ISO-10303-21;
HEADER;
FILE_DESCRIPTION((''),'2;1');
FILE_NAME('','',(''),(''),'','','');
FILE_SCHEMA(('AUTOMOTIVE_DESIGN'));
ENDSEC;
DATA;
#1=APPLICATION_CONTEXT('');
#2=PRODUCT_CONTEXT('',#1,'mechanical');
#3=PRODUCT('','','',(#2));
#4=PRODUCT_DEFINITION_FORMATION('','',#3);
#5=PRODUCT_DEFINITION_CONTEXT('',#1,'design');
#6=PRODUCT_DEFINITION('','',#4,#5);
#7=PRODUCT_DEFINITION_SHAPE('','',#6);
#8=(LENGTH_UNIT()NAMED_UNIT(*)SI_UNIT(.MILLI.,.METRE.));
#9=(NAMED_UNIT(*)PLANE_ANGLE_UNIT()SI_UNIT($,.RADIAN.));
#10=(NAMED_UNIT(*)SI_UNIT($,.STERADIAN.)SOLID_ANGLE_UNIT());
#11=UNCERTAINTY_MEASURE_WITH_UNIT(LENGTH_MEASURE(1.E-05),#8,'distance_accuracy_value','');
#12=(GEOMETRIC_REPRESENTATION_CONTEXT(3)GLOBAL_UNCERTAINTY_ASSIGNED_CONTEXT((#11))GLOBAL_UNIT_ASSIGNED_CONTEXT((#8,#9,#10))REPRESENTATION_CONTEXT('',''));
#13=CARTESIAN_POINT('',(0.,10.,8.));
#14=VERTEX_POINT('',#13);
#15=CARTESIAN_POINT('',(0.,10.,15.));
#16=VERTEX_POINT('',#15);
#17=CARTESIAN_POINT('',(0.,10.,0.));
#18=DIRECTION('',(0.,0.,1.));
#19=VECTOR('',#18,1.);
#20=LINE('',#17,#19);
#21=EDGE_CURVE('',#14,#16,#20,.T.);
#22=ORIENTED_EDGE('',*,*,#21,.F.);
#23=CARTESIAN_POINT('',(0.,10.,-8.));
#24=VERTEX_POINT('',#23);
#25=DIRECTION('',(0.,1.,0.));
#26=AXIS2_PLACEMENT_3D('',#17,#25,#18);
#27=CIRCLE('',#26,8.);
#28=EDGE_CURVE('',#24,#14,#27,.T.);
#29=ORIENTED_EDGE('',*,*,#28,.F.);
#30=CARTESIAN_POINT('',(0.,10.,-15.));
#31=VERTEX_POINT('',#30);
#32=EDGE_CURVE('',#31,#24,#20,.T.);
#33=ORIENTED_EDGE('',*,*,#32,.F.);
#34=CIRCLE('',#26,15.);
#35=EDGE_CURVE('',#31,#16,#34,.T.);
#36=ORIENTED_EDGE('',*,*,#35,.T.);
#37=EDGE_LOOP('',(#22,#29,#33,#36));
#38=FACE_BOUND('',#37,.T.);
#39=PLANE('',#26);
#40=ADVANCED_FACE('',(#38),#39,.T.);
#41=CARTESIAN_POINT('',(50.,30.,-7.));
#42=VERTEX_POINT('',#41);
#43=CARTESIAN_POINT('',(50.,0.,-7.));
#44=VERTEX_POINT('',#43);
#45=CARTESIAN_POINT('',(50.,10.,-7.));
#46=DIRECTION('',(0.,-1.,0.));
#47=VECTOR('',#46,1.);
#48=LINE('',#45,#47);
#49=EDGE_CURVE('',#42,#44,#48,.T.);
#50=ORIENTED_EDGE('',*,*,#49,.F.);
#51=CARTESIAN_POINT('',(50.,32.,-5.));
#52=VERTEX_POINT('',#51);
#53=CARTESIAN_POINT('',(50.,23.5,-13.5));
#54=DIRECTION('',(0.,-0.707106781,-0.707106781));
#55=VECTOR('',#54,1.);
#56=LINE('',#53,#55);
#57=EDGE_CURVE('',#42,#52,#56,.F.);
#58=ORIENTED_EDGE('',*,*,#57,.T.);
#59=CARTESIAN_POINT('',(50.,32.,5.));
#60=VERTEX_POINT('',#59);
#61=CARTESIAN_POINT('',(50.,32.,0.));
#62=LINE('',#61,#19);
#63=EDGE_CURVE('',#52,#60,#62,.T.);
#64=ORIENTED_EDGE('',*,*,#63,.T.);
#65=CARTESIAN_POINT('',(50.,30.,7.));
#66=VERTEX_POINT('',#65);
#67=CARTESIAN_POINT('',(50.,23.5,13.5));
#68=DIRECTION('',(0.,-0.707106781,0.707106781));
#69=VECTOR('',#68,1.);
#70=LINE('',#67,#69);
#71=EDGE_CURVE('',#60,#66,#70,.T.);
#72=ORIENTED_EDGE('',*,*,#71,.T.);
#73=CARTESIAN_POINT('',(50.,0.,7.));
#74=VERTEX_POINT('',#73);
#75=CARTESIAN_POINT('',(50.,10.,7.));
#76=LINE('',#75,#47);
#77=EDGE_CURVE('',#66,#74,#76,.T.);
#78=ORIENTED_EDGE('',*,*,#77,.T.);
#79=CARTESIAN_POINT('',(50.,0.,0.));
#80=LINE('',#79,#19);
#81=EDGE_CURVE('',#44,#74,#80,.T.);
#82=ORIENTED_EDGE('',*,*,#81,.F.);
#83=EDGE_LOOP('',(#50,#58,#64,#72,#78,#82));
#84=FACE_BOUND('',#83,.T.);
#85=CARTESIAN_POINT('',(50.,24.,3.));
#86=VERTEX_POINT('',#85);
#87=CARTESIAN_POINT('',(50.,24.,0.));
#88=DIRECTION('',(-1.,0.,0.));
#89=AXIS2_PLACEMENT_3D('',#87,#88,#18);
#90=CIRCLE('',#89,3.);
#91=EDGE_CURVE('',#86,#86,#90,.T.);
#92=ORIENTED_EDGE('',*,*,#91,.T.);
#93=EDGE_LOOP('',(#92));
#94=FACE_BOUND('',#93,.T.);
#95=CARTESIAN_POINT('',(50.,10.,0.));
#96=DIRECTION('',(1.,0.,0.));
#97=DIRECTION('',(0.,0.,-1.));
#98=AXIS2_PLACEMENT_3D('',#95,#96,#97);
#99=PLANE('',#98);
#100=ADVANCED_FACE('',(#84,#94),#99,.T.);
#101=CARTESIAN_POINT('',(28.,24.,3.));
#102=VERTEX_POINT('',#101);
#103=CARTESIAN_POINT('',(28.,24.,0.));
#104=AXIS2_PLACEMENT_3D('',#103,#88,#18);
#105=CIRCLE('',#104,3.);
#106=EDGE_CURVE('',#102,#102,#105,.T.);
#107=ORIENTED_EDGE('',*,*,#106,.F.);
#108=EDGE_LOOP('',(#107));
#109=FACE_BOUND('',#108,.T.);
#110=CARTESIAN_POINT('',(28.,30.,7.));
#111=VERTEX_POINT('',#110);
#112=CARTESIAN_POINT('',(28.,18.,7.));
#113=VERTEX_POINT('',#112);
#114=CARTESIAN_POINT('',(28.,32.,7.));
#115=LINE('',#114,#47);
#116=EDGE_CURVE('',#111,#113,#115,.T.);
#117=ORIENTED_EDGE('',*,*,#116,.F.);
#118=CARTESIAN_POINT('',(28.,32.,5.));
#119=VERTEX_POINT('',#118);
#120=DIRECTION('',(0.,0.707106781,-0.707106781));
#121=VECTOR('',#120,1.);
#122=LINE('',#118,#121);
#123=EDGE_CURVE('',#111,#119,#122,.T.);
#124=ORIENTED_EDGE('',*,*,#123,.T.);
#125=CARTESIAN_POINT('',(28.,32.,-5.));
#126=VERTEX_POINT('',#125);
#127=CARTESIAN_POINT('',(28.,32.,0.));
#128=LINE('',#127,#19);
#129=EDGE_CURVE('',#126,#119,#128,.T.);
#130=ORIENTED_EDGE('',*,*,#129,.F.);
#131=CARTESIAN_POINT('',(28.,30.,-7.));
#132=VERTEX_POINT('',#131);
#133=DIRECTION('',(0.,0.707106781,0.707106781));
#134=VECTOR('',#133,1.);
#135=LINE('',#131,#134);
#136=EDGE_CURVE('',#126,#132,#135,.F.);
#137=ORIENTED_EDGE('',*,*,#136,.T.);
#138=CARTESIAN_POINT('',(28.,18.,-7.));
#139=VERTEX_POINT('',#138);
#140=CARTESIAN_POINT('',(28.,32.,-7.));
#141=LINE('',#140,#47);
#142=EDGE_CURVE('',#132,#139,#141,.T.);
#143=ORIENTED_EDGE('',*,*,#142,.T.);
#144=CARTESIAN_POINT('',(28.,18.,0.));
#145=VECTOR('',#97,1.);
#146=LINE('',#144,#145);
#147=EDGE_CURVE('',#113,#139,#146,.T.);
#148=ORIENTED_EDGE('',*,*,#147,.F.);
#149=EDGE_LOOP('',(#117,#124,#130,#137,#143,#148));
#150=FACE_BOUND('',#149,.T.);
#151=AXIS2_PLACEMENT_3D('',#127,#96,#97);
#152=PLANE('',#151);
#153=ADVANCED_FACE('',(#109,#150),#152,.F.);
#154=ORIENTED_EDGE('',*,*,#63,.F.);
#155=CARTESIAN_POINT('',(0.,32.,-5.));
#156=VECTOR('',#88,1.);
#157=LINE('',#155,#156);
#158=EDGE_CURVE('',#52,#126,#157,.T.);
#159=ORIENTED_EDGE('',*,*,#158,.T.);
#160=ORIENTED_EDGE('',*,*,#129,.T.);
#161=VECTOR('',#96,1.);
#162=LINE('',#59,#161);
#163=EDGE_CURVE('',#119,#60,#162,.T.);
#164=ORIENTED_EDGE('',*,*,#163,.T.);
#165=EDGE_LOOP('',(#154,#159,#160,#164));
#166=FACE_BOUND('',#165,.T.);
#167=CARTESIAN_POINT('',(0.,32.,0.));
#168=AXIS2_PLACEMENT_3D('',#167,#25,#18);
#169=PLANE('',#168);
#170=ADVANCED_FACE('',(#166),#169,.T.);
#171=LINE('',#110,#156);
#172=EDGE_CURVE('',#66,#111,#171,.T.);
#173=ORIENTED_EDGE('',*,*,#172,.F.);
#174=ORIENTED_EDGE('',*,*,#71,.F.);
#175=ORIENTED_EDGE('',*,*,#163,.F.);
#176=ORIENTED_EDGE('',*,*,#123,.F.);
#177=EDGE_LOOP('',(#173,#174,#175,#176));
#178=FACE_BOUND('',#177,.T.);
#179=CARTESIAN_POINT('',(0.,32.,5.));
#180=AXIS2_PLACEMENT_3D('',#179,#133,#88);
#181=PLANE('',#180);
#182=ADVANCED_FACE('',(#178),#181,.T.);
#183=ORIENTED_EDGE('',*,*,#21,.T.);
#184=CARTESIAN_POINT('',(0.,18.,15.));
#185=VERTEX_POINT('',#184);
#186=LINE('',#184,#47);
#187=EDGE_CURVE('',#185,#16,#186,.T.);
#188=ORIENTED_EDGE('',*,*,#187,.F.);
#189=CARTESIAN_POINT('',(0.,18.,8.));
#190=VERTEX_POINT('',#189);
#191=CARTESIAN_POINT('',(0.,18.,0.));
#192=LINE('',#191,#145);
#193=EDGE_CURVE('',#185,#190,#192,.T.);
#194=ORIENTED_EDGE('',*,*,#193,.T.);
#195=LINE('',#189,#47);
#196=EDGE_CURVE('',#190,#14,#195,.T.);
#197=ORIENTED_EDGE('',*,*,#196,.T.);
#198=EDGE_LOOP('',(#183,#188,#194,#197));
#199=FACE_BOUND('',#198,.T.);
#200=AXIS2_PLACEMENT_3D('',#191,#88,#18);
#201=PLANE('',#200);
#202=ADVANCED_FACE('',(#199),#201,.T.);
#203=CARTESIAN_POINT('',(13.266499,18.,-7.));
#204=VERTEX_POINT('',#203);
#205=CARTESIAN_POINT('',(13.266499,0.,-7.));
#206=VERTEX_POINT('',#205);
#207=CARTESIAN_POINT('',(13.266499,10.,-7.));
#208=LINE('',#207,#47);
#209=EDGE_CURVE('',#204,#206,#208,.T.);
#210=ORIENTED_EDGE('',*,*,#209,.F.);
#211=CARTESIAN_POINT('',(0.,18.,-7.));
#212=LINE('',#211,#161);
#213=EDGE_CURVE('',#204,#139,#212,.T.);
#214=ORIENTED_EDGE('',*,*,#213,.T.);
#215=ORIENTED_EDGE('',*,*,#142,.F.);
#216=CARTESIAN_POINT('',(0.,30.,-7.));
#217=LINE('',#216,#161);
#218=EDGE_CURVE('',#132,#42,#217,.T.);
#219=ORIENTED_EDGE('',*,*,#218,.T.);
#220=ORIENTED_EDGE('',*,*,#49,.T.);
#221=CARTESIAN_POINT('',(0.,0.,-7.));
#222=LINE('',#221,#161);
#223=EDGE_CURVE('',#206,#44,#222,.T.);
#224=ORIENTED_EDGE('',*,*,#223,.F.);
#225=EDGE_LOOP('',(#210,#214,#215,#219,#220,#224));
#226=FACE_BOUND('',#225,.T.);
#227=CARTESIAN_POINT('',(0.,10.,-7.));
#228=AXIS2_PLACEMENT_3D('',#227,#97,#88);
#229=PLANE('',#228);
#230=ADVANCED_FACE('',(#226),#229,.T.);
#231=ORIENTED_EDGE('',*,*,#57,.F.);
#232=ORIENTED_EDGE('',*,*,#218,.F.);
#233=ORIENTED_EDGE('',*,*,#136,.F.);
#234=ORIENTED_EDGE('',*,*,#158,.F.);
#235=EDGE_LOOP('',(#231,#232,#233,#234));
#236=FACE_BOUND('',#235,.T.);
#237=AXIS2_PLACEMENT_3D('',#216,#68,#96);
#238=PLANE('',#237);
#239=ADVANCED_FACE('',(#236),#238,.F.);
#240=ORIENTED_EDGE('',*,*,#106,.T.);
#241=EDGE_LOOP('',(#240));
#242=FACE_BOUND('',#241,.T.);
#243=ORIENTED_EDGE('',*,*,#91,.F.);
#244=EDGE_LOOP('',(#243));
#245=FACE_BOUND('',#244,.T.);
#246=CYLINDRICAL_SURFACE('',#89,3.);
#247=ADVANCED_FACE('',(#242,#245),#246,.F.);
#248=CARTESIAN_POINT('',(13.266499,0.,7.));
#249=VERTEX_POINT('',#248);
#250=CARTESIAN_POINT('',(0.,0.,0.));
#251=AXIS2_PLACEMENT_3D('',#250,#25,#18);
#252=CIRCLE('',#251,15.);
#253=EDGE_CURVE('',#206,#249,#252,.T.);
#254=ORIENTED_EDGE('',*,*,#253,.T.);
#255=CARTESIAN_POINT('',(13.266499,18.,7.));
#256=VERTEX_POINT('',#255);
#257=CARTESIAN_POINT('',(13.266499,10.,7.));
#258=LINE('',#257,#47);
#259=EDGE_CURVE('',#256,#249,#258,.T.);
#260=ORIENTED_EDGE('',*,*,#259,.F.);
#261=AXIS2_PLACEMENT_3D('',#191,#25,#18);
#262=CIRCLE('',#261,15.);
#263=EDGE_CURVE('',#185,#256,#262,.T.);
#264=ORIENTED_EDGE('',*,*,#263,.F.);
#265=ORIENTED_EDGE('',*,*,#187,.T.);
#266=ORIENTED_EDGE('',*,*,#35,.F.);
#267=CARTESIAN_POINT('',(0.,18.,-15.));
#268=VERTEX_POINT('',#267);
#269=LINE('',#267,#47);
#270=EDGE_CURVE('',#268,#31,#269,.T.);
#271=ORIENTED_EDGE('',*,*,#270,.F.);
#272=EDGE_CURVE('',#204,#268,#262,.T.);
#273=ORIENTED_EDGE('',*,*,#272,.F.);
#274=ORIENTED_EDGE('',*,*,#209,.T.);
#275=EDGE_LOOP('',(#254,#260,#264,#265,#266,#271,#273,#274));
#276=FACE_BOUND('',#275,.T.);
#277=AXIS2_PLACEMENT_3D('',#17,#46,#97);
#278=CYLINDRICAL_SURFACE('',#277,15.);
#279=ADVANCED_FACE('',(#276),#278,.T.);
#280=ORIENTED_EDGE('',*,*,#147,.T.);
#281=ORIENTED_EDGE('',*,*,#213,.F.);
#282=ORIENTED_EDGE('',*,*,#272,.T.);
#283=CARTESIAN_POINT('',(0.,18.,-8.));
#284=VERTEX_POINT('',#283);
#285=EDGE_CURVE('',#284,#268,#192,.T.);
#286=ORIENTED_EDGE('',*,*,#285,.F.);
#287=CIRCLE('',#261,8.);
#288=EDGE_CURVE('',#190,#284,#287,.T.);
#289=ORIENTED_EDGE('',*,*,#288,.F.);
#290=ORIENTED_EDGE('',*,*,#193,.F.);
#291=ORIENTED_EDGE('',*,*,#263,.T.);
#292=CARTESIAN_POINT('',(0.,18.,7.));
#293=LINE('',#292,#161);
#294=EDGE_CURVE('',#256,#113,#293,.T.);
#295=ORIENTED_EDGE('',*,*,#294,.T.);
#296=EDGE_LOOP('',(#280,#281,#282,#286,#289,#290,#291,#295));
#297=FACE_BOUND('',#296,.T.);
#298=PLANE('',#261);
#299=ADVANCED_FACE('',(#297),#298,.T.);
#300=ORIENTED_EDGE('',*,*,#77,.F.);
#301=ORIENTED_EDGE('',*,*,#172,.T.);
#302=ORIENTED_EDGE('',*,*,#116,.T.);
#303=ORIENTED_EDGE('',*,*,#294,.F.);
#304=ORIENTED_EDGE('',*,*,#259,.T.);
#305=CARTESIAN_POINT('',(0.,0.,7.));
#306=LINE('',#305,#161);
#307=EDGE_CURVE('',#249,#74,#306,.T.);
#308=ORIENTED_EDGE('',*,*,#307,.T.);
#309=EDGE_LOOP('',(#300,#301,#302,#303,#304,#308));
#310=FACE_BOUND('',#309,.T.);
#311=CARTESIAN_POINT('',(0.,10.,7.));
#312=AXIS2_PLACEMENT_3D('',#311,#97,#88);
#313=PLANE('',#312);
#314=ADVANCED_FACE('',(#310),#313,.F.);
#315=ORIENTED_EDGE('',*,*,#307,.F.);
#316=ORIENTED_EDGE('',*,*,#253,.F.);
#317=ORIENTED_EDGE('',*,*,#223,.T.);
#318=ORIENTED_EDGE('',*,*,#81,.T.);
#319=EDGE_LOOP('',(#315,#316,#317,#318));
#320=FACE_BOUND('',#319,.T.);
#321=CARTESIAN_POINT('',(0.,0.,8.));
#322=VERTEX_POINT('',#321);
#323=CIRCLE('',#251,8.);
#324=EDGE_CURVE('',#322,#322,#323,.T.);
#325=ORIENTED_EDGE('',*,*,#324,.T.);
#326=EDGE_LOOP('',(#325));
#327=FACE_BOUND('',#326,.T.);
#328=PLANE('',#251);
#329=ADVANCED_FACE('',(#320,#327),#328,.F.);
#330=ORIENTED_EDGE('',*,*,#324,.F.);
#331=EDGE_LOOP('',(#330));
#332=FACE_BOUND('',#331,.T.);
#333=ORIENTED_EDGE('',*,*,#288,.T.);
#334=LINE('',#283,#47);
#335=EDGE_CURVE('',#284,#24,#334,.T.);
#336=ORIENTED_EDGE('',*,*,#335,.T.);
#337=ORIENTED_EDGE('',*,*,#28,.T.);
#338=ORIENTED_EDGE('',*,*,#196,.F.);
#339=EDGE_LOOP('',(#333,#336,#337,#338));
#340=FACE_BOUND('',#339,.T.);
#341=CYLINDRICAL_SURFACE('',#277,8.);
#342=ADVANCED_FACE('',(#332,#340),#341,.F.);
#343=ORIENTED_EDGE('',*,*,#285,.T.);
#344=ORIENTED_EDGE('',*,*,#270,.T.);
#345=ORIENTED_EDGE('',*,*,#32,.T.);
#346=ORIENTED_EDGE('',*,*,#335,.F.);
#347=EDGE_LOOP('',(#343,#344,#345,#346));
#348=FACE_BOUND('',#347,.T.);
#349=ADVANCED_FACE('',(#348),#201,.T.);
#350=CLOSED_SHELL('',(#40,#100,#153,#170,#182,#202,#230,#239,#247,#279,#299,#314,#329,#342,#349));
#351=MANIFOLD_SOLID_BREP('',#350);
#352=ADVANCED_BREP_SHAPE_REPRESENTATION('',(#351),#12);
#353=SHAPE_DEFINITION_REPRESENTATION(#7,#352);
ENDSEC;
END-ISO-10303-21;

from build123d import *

# Parameters (mm, degrees)
SKETCH1_R           = 8
BOSS_EXTRUDE1_DEPTH = 10
BOSS_EXTRUDE2_DEPTH = 18
SKETCH1_4_W         = 22
SKETCH1_4_H         = 14
BOSS_EXTRUDE3_DEPTH = 32
CHAMFER1_SIZE       = 2
SKETCH2_R           = 3
CUT_EXTRUDE1_DEPTH  = 56.6596802


with BuildPart() as part:
    # Sketch1 → Boss-Extrude1 (new body)
    with BuildSketch(Plane(origin=(0, 0, 0), x_dir=(1, 0, 0), z_dir=(0, 1, 0))):
        with BuildLine():
            ThreePointArc((13.266499161, 7), (-15, 0), (13.266499161, -7))
            Line((13.266499161, -7), (50, -7))
            Line((50, -7), (50, 7))
            Line((50, 7), (13.266499161, 7))
        make_face()
        Circle(SKETCH1_R, mode=Mode.SUBTRACT)
    extrude(amount=BOSS_EXTRUDE1_DEPTH)

    # Sketch1<3> → Boss-Extrude2 (add)
    with BuildSketch(Plane(origin=(0, 0, 0), x_dir=(1, 0, 0), z_dir=(0, 1, 0))):
        with BuildLine():
            ThreePointArc((13.266499161, 7), (7.745966692, 12.845232579), (0, 15))
            Line((0, 15), (0, 8))
            ThreePointArc((0, 8), (8, 0), (0, -8))
            Line((0, -8), (0, -15))
            ThreePointArc((0, -15), (7.745966692, -12.845232579), (13.266499161, -7))
            Line((13.266499161, -7), (50, -7))
            Line((50, -7), (50, 7))
            Line((50, 7), (13.266499161, 7))
        make_face()
    extrude(amount=BOSS_EXTRUDE2_DEPTH)

    # Sketch1<4> → Boss-Extrude3 (add)
    with BuildSketch(Plane(origin=(0, 0, 0), x_dir=(1, 0, 0), z_dir=(0, 1, 0))):
        with Locations((39, 0)):
            Rectangle(SKETCH1_4_W, SKETCH1_4_H)
    extrude(amount=BOSS_EXTRUDE3_DEPTH)

    # Chamfer1
    chamfer1_edges = [part.edges().sort_by_distance(p)[0] for p in [
        (39, 32, -7),
        (39, 32, 7),
    ]]
    chamfer(chamfer1_edges, length=CHAMFER1_SIZE)

    # Sketch2 → Cut-Extrude1 (cut, through all)
    with BuildSketch(Plane.ZY.offset(-28)):
        with Locations((0, 24)):
            Circle(SKETCH2_R)
    extrude(amount=-CUT_EXTRUDE1_DEPTH, mode=Mode.SUBTRACT)


solid = part.part
